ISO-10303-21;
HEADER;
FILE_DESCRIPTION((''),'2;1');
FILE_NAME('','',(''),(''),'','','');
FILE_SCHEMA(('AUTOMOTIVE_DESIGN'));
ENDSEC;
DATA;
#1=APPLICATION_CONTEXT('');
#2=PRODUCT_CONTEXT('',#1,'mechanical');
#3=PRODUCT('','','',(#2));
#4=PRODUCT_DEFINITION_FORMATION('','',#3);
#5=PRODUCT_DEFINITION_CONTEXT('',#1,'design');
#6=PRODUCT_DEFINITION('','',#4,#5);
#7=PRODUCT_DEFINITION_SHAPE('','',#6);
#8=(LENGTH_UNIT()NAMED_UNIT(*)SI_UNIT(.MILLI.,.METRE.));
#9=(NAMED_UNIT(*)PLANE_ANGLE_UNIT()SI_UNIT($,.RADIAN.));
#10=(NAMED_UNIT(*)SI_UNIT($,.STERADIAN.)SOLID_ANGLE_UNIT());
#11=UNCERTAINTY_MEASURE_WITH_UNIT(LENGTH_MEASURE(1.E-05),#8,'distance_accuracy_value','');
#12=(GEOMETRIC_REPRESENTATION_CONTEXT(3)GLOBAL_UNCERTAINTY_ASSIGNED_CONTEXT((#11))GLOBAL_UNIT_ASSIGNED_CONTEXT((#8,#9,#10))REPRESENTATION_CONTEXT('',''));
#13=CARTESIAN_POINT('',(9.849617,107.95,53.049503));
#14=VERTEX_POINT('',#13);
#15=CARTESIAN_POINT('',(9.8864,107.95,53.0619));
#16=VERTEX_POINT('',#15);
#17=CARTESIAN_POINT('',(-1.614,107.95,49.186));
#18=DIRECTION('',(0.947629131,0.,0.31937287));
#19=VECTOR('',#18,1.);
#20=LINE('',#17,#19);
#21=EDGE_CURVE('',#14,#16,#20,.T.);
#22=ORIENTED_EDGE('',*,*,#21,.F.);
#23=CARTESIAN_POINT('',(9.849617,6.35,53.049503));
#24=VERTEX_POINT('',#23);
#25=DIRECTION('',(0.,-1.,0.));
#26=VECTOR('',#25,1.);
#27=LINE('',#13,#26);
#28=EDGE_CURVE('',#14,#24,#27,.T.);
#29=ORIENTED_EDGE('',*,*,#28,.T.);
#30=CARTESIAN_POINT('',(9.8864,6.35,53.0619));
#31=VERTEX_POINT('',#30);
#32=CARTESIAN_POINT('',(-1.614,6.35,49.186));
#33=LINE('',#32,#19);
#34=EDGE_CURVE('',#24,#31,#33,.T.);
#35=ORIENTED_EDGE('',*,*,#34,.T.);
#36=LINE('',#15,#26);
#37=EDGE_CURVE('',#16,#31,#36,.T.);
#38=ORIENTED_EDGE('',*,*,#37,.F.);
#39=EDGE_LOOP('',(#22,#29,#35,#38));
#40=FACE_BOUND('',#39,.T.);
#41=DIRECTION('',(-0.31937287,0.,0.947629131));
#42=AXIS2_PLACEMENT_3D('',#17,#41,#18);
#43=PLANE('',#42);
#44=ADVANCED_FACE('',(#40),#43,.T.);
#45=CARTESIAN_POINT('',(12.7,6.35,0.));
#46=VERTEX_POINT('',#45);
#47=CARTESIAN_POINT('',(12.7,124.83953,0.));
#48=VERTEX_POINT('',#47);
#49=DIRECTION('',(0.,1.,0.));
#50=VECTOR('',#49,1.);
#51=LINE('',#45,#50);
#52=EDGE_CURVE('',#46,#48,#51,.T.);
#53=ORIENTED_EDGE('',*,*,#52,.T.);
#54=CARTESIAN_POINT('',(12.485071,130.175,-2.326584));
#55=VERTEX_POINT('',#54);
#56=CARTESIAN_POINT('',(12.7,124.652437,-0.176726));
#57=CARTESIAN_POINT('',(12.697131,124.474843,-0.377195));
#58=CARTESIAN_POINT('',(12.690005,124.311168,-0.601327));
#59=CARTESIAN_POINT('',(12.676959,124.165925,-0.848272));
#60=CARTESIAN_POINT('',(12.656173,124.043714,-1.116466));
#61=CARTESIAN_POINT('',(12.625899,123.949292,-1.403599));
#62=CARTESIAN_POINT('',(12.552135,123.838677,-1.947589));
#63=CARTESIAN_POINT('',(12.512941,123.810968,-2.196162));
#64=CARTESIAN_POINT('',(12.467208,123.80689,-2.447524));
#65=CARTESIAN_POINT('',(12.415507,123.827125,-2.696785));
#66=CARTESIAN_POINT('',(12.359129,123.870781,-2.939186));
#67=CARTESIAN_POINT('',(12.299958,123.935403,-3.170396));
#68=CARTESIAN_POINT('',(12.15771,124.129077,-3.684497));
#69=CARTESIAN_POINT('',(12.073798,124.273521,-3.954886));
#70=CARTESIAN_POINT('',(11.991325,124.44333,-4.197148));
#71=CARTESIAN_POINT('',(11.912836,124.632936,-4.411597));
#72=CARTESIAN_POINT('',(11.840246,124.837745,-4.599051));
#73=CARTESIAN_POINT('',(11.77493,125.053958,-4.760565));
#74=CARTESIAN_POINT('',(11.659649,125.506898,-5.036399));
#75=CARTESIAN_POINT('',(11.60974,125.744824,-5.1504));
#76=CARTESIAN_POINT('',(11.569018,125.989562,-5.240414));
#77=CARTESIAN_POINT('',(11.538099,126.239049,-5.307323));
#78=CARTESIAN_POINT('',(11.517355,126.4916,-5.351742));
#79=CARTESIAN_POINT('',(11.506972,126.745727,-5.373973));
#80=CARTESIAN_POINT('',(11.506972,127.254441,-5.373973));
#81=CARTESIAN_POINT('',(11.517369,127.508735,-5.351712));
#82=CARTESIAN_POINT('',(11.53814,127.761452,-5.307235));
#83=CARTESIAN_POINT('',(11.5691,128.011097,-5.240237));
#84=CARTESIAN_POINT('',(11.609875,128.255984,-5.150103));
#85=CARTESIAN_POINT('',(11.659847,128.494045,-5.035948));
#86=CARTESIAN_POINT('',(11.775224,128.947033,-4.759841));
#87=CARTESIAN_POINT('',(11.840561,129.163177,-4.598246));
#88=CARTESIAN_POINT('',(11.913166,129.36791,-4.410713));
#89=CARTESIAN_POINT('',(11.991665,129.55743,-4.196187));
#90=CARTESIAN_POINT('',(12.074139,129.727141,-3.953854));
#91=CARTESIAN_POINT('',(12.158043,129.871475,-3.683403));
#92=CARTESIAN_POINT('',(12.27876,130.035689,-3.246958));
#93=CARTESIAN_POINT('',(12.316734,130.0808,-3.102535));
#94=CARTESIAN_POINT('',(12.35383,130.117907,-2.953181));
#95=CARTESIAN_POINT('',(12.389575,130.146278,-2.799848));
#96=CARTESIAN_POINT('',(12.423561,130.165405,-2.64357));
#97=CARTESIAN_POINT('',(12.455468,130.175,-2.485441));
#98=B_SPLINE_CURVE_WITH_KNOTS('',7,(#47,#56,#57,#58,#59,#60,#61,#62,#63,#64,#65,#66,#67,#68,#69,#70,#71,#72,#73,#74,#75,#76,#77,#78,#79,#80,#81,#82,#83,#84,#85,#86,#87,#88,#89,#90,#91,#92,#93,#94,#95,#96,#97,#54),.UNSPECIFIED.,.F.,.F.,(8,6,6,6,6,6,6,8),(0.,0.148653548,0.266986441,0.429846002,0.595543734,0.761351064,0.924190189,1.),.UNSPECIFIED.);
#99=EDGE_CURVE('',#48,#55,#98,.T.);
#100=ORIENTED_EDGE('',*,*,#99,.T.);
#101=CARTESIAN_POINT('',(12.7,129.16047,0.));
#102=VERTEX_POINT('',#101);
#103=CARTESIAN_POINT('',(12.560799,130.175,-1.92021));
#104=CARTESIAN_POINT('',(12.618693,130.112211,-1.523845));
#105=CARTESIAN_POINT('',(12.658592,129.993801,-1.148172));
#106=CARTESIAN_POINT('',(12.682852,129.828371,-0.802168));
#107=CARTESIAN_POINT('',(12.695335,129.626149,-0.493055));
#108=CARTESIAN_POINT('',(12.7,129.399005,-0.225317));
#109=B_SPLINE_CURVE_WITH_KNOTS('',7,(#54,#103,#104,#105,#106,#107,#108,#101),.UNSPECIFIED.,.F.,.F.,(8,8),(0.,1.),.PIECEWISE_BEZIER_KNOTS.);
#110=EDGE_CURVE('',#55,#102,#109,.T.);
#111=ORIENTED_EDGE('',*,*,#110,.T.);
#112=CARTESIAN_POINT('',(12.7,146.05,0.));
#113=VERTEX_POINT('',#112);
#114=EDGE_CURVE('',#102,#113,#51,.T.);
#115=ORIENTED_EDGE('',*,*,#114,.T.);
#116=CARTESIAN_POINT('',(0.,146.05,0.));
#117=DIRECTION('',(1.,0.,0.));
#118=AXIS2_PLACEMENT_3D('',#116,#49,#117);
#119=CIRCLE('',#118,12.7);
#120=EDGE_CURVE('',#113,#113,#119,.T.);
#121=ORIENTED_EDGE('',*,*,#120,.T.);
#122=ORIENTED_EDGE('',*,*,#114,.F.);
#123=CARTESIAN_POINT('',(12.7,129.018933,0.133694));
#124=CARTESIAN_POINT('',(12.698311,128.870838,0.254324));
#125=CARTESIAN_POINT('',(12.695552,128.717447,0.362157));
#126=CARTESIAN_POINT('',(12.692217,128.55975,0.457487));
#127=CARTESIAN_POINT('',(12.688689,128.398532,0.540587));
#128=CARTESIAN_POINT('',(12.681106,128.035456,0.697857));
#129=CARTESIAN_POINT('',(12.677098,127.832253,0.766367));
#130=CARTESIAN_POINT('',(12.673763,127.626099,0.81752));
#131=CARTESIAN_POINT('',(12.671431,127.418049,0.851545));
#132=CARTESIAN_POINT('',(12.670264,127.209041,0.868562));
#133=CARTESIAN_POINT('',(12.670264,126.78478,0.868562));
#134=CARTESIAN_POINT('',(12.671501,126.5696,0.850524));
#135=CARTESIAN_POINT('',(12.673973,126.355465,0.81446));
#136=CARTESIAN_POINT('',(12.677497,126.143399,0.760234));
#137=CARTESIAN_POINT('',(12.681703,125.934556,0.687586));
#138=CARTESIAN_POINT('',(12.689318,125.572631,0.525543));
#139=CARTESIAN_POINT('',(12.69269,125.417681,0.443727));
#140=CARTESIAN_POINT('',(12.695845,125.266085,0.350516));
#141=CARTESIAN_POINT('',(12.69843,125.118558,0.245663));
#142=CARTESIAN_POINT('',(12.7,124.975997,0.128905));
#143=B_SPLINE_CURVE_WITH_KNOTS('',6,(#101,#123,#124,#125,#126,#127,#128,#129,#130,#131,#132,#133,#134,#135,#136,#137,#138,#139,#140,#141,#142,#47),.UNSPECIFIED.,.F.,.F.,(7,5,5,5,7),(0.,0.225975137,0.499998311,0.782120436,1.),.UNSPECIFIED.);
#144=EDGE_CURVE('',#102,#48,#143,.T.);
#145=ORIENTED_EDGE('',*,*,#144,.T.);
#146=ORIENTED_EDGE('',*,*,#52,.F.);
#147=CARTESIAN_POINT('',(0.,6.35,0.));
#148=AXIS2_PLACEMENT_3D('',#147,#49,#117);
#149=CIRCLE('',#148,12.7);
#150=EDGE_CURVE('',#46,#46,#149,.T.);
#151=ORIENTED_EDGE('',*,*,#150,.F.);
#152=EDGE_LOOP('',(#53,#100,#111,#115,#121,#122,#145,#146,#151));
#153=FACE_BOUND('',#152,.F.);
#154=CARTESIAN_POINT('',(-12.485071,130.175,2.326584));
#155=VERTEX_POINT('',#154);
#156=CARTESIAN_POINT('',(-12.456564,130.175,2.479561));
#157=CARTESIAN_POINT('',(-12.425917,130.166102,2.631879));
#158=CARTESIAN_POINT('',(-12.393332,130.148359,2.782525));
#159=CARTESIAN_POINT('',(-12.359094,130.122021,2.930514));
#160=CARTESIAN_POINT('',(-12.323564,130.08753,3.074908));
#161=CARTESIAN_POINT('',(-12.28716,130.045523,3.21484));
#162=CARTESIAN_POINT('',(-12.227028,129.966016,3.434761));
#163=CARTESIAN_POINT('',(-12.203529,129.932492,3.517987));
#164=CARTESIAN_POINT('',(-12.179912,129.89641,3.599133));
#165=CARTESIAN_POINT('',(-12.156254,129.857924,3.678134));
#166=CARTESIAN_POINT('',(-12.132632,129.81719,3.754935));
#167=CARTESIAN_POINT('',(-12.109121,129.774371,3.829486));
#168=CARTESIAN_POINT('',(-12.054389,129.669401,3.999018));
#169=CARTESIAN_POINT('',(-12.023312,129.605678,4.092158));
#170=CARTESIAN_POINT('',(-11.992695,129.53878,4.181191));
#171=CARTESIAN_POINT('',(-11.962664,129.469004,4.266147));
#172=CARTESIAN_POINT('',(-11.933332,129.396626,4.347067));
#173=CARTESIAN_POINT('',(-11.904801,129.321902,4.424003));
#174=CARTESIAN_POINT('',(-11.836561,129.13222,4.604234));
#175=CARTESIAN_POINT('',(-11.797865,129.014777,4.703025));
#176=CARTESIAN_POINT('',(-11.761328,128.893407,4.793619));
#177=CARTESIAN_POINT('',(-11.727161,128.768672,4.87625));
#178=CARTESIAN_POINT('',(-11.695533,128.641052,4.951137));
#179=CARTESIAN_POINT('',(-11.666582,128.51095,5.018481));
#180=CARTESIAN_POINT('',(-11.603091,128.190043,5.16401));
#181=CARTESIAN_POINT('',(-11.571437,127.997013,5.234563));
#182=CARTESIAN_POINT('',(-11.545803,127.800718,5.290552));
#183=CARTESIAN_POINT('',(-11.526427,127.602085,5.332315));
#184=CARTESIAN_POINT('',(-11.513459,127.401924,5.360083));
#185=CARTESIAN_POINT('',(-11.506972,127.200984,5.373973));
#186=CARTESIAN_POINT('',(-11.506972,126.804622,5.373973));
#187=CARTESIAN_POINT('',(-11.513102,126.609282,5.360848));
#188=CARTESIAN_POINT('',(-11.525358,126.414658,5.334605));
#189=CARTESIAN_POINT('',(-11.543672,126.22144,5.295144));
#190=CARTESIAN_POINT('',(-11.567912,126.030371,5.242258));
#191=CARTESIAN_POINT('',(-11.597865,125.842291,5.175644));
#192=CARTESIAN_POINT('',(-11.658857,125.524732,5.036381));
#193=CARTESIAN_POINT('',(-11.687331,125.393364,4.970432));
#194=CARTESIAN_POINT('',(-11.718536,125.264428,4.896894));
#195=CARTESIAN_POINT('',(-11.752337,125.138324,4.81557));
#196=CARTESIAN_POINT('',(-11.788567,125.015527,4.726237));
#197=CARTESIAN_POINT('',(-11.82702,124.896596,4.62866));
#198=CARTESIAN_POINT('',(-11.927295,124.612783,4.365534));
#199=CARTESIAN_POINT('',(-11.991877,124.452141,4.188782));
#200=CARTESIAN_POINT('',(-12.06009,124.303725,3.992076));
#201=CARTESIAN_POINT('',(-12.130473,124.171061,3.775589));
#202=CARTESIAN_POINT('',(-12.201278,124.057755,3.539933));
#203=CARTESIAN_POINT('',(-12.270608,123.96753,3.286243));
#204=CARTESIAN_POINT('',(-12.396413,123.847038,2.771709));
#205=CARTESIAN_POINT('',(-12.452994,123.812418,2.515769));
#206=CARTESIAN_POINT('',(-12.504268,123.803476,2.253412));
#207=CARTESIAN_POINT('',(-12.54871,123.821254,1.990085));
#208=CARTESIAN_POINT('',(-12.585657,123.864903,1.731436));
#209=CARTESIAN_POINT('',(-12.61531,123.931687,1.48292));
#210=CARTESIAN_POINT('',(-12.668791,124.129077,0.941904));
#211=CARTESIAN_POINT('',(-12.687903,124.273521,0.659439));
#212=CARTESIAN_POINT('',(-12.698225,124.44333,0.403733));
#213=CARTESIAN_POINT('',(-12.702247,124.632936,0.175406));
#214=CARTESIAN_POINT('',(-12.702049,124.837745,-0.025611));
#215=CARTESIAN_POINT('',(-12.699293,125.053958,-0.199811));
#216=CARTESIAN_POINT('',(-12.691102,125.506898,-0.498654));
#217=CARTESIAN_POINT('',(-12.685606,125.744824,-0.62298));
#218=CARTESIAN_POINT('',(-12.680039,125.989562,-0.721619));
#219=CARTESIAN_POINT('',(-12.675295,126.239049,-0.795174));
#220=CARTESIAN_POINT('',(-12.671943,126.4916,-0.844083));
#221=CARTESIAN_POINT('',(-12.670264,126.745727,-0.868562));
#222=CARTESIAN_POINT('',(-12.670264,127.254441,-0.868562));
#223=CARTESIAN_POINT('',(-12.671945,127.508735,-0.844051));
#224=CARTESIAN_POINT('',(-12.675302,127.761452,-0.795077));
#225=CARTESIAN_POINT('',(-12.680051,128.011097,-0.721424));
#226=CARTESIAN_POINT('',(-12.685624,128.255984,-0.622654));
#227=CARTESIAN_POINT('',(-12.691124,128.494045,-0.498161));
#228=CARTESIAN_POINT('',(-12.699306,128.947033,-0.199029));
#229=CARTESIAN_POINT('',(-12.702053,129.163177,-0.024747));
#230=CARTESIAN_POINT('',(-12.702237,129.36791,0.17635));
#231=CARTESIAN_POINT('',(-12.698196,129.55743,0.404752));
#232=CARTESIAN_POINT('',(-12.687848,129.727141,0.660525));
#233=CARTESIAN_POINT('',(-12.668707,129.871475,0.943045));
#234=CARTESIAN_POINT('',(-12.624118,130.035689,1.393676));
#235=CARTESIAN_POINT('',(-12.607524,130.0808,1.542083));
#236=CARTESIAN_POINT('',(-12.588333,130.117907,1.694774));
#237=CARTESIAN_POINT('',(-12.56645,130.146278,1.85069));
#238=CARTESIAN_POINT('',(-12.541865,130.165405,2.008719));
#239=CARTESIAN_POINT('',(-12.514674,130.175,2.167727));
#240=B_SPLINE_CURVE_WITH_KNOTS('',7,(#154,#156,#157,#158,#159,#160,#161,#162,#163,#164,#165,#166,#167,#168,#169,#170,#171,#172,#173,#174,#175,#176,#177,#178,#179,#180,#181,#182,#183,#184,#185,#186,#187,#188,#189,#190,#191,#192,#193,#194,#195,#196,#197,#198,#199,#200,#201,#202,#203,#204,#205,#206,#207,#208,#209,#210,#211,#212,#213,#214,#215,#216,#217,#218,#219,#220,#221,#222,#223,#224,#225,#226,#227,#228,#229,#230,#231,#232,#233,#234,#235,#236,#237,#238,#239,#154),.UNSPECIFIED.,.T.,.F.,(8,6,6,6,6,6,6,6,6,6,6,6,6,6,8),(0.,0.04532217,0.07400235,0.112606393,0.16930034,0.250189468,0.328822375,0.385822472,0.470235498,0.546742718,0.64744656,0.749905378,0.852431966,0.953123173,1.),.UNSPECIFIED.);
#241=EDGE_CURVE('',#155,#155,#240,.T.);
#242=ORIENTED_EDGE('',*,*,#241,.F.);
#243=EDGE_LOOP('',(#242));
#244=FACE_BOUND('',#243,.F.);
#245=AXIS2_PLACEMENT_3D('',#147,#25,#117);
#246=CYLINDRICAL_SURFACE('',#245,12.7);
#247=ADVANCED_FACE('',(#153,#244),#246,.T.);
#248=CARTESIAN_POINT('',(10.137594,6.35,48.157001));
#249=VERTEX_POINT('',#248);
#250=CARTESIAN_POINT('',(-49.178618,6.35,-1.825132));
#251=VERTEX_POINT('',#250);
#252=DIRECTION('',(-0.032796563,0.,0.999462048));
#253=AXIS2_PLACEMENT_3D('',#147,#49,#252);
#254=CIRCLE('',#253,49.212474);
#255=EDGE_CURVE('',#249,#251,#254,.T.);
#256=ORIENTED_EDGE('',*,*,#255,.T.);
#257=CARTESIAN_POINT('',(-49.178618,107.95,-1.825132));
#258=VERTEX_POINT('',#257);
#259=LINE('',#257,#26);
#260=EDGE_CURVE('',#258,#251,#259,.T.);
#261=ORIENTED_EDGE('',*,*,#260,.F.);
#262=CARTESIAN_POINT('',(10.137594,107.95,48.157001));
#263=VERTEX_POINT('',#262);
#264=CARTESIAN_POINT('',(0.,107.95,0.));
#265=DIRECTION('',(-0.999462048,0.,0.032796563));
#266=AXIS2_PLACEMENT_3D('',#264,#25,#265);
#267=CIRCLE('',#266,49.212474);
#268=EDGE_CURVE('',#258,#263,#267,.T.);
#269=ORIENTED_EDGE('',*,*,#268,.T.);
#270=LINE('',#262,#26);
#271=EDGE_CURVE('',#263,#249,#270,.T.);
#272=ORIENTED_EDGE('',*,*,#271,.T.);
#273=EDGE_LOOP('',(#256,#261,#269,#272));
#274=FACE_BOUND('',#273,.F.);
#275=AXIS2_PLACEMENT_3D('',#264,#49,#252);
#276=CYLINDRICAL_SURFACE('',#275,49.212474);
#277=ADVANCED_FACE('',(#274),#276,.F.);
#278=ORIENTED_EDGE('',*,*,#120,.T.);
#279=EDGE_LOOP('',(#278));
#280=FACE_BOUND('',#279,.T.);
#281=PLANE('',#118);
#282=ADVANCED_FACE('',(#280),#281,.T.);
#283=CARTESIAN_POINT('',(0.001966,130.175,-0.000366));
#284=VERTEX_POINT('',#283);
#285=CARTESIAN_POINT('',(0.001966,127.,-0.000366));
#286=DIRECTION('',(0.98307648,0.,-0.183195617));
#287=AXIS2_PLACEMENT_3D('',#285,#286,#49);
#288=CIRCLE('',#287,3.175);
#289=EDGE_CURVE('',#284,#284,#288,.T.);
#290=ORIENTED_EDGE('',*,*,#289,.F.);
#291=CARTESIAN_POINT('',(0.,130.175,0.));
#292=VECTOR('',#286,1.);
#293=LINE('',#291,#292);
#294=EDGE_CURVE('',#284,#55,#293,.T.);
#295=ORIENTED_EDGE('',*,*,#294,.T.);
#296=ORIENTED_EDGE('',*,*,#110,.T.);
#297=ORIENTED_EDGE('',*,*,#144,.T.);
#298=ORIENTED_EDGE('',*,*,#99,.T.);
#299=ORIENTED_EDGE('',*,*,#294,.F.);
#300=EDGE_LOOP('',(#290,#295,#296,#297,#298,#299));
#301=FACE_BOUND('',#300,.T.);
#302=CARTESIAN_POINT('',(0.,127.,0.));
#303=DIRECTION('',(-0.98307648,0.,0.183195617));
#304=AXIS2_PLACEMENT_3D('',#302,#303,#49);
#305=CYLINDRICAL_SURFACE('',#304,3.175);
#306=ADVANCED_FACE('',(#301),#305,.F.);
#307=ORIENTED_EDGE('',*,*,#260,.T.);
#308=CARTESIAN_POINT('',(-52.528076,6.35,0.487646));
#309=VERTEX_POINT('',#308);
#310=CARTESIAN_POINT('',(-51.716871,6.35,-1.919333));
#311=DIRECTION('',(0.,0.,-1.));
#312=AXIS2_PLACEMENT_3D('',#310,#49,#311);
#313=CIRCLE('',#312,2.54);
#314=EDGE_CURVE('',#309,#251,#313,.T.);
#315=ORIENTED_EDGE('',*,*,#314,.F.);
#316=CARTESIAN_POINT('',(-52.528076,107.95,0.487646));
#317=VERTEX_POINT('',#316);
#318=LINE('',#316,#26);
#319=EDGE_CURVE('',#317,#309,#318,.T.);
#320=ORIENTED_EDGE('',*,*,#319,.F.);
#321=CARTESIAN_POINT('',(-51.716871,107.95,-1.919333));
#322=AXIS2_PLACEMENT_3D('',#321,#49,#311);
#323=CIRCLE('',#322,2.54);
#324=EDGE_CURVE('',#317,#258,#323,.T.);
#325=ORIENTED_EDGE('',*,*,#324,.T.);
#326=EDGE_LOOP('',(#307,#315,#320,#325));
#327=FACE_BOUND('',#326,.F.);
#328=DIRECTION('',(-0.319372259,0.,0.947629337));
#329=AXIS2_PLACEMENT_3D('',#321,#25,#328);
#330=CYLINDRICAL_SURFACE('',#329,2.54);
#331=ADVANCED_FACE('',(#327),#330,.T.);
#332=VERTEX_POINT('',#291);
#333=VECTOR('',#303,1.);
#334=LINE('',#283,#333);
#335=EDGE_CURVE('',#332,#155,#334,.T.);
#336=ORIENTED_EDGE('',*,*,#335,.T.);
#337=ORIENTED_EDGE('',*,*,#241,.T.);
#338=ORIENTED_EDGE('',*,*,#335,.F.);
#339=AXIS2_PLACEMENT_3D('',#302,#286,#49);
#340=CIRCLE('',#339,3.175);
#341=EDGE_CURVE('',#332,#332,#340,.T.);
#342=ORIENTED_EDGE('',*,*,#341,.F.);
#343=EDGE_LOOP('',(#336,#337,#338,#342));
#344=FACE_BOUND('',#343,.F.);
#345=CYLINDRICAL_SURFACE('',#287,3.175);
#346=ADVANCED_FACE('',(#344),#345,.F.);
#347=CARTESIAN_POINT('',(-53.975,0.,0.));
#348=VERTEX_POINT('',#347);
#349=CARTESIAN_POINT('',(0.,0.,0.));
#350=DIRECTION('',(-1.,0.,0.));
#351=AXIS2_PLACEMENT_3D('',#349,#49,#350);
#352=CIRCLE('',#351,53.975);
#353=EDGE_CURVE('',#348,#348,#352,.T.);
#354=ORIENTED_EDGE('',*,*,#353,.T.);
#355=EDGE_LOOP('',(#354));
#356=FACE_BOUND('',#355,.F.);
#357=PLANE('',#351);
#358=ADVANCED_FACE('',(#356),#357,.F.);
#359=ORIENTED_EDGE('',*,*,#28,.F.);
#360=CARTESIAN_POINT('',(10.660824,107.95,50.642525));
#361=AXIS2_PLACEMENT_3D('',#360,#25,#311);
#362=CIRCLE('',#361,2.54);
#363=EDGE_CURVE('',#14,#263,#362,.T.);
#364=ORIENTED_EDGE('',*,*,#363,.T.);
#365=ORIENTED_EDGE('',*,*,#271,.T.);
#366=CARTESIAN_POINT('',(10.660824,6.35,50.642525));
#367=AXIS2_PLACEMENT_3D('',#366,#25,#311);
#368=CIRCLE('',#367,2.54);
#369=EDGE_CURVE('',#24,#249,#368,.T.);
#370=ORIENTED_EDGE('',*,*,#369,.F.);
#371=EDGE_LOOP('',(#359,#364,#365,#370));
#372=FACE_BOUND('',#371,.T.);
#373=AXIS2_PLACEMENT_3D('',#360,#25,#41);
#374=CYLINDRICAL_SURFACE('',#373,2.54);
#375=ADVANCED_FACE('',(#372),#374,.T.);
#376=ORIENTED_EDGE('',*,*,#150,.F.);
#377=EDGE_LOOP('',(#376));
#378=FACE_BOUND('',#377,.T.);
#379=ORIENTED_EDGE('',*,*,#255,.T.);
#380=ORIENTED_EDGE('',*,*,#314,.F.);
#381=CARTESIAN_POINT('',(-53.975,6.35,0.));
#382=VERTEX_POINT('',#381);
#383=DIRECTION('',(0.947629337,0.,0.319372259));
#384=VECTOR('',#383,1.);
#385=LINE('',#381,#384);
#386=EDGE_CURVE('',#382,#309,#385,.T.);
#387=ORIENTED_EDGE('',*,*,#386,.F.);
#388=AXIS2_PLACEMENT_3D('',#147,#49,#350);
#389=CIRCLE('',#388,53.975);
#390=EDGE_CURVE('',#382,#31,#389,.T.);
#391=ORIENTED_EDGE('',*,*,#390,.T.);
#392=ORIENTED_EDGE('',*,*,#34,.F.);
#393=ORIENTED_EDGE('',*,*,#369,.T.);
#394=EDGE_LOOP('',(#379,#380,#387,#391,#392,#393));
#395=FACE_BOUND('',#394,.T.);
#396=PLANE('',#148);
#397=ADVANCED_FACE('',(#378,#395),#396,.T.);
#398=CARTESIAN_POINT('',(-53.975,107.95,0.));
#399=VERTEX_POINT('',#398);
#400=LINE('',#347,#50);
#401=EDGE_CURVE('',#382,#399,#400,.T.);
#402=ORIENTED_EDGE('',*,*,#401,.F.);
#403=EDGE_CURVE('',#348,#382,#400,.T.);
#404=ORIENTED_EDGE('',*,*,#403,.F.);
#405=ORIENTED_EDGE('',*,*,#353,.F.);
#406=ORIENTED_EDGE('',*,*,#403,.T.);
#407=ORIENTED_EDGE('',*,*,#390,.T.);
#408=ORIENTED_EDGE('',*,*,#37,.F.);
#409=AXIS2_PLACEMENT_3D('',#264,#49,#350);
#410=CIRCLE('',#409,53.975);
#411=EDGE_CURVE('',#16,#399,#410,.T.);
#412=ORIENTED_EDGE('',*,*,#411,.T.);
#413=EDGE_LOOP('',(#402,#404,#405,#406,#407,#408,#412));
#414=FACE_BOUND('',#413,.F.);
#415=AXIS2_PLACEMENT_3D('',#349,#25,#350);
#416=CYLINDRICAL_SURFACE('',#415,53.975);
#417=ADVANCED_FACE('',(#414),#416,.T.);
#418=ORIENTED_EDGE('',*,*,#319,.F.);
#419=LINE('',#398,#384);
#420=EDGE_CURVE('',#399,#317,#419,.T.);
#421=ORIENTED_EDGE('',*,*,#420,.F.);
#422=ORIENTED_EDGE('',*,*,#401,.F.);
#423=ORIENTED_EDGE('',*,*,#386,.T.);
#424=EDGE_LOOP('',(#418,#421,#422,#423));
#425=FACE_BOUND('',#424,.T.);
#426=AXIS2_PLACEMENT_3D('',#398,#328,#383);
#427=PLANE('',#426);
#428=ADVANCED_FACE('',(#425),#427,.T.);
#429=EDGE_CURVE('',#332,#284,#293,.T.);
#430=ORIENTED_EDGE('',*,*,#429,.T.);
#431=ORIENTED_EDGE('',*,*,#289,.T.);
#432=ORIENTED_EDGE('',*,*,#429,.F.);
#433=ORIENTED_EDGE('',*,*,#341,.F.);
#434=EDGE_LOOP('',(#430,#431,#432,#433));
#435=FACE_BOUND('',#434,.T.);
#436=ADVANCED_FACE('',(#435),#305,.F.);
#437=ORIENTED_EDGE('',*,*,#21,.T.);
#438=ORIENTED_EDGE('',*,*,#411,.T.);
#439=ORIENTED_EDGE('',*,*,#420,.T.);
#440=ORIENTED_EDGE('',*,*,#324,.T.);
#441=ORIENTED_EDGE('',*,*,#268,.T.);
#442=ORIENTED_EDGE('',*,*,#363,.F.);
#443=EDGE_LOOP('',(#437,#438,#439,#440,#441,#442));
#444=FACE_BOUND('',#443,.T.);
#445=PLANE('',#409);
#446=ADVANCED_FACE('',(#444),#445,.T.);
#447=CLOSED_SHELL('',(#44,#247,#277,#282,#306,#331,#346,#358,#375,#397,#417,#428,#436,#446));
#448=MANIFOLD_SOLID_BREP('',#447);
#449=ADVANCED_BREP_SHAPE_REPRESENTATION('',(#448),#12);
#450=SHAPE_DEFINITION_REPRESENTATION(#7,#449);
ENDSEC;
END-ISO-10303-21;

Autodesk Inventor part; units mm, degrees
ref_plane "YZ Plane" through (0, 0, 0) normal (1, 0, 0) x (0, 1, 0)
ref_plane "XZ Plane" through (0, 0, 0) normal (0, 1, 0) x (-1, 0, 0)
ref_plane "XY Plane" through (0, 0, 0) normal (0, 0, 1) x (1, 0, 0)
sketch "Sketch1" plane through (0, 0, 0) normal (0, 1, 0) x (-1, 0, 0)
  circle A0 centre (0, 0) radius 53.975
  dimension "d0" = 107.95
extrude "Extrusion1" add sketch "Sketch1" along normal blind 107.95
sketch "Sketch2" plane through (0, 107.95, 0) normal (0, 1, 0) x (1, 0, 0)
  arc A0 (-1.614, -49.186) -> (-49.186, -1.614) centre (0, 0) ccw
  circle A1 centre (0, 0) radius 53.975 projected
  line L0 (9.8864, -53.0619) -> (14.2923, -39.9886)
  line L1 (14.2923, -39.9886) -> (-59.1143, -15.2492)
  line L2 (-59.1143, -15.2492) -> (-53.975, 0)
  line L3 (-53.975, 0) -> (-49.186, -1.614)
  line L4 (-1.614, -49.186) -> (9.8864, -53.0619)
  dimension "d3" = 98.425
extrude "Extrusion2" cut sketch "Sketch2" against normal blind 101.6 contours L4 A1 L1 L0 A0 | L0 L1 A1 L3 A0
sketch "Sketch3" plane through (0, 6.35, 0) normal (0, 1, 0) x (1, 0, 0)
  circle A0 centre (0, 0) radius 12.7
  dimension "d7" = 25.4
extrude "Extrusion3" add sketch "Sketch3" along normal blind 139.7
ref_plane "Work Plane1" through (0, 6.35, 0) normal (0.9831, 0, -0.1832) x (0, 1, 0)
sketch "Sketch4" plane through (0, 6.35, 0) normal (0.9831, 0, -0.1832) x (0, 1, 0)
  circle A0 centre (120.65, 0) radius 3.175
  line L0 (139.7, -12.7) -> (139.7, 12.7) projected
  point P0 (-6.35, 0)
  dimension "d10" = 6.35
  dimension "d11" = 19.05
extrude "Extrusion4" cut sketch "Sketch4" along normal through all
sketch "Sketch5" plane through (0, 6.35, 0) normal (0.9831, 0, -0.1832) x (0, 1, 0)
  circle A0 centre (120.65, 0) radius 3.175 projected
  circle A1 centre (120.65, 0) radius 3.175
  point P0 (-6.35, 0)
extrude "Extrusion5" cut sketch "Sketch5" against normal blind 139.7
fillet "Fillet2" radius 2.54 2 edges at (-49.186, 57.15, 1.614) (-1.614, 57.15, 49.186)
properties part number "Hand Holder"
